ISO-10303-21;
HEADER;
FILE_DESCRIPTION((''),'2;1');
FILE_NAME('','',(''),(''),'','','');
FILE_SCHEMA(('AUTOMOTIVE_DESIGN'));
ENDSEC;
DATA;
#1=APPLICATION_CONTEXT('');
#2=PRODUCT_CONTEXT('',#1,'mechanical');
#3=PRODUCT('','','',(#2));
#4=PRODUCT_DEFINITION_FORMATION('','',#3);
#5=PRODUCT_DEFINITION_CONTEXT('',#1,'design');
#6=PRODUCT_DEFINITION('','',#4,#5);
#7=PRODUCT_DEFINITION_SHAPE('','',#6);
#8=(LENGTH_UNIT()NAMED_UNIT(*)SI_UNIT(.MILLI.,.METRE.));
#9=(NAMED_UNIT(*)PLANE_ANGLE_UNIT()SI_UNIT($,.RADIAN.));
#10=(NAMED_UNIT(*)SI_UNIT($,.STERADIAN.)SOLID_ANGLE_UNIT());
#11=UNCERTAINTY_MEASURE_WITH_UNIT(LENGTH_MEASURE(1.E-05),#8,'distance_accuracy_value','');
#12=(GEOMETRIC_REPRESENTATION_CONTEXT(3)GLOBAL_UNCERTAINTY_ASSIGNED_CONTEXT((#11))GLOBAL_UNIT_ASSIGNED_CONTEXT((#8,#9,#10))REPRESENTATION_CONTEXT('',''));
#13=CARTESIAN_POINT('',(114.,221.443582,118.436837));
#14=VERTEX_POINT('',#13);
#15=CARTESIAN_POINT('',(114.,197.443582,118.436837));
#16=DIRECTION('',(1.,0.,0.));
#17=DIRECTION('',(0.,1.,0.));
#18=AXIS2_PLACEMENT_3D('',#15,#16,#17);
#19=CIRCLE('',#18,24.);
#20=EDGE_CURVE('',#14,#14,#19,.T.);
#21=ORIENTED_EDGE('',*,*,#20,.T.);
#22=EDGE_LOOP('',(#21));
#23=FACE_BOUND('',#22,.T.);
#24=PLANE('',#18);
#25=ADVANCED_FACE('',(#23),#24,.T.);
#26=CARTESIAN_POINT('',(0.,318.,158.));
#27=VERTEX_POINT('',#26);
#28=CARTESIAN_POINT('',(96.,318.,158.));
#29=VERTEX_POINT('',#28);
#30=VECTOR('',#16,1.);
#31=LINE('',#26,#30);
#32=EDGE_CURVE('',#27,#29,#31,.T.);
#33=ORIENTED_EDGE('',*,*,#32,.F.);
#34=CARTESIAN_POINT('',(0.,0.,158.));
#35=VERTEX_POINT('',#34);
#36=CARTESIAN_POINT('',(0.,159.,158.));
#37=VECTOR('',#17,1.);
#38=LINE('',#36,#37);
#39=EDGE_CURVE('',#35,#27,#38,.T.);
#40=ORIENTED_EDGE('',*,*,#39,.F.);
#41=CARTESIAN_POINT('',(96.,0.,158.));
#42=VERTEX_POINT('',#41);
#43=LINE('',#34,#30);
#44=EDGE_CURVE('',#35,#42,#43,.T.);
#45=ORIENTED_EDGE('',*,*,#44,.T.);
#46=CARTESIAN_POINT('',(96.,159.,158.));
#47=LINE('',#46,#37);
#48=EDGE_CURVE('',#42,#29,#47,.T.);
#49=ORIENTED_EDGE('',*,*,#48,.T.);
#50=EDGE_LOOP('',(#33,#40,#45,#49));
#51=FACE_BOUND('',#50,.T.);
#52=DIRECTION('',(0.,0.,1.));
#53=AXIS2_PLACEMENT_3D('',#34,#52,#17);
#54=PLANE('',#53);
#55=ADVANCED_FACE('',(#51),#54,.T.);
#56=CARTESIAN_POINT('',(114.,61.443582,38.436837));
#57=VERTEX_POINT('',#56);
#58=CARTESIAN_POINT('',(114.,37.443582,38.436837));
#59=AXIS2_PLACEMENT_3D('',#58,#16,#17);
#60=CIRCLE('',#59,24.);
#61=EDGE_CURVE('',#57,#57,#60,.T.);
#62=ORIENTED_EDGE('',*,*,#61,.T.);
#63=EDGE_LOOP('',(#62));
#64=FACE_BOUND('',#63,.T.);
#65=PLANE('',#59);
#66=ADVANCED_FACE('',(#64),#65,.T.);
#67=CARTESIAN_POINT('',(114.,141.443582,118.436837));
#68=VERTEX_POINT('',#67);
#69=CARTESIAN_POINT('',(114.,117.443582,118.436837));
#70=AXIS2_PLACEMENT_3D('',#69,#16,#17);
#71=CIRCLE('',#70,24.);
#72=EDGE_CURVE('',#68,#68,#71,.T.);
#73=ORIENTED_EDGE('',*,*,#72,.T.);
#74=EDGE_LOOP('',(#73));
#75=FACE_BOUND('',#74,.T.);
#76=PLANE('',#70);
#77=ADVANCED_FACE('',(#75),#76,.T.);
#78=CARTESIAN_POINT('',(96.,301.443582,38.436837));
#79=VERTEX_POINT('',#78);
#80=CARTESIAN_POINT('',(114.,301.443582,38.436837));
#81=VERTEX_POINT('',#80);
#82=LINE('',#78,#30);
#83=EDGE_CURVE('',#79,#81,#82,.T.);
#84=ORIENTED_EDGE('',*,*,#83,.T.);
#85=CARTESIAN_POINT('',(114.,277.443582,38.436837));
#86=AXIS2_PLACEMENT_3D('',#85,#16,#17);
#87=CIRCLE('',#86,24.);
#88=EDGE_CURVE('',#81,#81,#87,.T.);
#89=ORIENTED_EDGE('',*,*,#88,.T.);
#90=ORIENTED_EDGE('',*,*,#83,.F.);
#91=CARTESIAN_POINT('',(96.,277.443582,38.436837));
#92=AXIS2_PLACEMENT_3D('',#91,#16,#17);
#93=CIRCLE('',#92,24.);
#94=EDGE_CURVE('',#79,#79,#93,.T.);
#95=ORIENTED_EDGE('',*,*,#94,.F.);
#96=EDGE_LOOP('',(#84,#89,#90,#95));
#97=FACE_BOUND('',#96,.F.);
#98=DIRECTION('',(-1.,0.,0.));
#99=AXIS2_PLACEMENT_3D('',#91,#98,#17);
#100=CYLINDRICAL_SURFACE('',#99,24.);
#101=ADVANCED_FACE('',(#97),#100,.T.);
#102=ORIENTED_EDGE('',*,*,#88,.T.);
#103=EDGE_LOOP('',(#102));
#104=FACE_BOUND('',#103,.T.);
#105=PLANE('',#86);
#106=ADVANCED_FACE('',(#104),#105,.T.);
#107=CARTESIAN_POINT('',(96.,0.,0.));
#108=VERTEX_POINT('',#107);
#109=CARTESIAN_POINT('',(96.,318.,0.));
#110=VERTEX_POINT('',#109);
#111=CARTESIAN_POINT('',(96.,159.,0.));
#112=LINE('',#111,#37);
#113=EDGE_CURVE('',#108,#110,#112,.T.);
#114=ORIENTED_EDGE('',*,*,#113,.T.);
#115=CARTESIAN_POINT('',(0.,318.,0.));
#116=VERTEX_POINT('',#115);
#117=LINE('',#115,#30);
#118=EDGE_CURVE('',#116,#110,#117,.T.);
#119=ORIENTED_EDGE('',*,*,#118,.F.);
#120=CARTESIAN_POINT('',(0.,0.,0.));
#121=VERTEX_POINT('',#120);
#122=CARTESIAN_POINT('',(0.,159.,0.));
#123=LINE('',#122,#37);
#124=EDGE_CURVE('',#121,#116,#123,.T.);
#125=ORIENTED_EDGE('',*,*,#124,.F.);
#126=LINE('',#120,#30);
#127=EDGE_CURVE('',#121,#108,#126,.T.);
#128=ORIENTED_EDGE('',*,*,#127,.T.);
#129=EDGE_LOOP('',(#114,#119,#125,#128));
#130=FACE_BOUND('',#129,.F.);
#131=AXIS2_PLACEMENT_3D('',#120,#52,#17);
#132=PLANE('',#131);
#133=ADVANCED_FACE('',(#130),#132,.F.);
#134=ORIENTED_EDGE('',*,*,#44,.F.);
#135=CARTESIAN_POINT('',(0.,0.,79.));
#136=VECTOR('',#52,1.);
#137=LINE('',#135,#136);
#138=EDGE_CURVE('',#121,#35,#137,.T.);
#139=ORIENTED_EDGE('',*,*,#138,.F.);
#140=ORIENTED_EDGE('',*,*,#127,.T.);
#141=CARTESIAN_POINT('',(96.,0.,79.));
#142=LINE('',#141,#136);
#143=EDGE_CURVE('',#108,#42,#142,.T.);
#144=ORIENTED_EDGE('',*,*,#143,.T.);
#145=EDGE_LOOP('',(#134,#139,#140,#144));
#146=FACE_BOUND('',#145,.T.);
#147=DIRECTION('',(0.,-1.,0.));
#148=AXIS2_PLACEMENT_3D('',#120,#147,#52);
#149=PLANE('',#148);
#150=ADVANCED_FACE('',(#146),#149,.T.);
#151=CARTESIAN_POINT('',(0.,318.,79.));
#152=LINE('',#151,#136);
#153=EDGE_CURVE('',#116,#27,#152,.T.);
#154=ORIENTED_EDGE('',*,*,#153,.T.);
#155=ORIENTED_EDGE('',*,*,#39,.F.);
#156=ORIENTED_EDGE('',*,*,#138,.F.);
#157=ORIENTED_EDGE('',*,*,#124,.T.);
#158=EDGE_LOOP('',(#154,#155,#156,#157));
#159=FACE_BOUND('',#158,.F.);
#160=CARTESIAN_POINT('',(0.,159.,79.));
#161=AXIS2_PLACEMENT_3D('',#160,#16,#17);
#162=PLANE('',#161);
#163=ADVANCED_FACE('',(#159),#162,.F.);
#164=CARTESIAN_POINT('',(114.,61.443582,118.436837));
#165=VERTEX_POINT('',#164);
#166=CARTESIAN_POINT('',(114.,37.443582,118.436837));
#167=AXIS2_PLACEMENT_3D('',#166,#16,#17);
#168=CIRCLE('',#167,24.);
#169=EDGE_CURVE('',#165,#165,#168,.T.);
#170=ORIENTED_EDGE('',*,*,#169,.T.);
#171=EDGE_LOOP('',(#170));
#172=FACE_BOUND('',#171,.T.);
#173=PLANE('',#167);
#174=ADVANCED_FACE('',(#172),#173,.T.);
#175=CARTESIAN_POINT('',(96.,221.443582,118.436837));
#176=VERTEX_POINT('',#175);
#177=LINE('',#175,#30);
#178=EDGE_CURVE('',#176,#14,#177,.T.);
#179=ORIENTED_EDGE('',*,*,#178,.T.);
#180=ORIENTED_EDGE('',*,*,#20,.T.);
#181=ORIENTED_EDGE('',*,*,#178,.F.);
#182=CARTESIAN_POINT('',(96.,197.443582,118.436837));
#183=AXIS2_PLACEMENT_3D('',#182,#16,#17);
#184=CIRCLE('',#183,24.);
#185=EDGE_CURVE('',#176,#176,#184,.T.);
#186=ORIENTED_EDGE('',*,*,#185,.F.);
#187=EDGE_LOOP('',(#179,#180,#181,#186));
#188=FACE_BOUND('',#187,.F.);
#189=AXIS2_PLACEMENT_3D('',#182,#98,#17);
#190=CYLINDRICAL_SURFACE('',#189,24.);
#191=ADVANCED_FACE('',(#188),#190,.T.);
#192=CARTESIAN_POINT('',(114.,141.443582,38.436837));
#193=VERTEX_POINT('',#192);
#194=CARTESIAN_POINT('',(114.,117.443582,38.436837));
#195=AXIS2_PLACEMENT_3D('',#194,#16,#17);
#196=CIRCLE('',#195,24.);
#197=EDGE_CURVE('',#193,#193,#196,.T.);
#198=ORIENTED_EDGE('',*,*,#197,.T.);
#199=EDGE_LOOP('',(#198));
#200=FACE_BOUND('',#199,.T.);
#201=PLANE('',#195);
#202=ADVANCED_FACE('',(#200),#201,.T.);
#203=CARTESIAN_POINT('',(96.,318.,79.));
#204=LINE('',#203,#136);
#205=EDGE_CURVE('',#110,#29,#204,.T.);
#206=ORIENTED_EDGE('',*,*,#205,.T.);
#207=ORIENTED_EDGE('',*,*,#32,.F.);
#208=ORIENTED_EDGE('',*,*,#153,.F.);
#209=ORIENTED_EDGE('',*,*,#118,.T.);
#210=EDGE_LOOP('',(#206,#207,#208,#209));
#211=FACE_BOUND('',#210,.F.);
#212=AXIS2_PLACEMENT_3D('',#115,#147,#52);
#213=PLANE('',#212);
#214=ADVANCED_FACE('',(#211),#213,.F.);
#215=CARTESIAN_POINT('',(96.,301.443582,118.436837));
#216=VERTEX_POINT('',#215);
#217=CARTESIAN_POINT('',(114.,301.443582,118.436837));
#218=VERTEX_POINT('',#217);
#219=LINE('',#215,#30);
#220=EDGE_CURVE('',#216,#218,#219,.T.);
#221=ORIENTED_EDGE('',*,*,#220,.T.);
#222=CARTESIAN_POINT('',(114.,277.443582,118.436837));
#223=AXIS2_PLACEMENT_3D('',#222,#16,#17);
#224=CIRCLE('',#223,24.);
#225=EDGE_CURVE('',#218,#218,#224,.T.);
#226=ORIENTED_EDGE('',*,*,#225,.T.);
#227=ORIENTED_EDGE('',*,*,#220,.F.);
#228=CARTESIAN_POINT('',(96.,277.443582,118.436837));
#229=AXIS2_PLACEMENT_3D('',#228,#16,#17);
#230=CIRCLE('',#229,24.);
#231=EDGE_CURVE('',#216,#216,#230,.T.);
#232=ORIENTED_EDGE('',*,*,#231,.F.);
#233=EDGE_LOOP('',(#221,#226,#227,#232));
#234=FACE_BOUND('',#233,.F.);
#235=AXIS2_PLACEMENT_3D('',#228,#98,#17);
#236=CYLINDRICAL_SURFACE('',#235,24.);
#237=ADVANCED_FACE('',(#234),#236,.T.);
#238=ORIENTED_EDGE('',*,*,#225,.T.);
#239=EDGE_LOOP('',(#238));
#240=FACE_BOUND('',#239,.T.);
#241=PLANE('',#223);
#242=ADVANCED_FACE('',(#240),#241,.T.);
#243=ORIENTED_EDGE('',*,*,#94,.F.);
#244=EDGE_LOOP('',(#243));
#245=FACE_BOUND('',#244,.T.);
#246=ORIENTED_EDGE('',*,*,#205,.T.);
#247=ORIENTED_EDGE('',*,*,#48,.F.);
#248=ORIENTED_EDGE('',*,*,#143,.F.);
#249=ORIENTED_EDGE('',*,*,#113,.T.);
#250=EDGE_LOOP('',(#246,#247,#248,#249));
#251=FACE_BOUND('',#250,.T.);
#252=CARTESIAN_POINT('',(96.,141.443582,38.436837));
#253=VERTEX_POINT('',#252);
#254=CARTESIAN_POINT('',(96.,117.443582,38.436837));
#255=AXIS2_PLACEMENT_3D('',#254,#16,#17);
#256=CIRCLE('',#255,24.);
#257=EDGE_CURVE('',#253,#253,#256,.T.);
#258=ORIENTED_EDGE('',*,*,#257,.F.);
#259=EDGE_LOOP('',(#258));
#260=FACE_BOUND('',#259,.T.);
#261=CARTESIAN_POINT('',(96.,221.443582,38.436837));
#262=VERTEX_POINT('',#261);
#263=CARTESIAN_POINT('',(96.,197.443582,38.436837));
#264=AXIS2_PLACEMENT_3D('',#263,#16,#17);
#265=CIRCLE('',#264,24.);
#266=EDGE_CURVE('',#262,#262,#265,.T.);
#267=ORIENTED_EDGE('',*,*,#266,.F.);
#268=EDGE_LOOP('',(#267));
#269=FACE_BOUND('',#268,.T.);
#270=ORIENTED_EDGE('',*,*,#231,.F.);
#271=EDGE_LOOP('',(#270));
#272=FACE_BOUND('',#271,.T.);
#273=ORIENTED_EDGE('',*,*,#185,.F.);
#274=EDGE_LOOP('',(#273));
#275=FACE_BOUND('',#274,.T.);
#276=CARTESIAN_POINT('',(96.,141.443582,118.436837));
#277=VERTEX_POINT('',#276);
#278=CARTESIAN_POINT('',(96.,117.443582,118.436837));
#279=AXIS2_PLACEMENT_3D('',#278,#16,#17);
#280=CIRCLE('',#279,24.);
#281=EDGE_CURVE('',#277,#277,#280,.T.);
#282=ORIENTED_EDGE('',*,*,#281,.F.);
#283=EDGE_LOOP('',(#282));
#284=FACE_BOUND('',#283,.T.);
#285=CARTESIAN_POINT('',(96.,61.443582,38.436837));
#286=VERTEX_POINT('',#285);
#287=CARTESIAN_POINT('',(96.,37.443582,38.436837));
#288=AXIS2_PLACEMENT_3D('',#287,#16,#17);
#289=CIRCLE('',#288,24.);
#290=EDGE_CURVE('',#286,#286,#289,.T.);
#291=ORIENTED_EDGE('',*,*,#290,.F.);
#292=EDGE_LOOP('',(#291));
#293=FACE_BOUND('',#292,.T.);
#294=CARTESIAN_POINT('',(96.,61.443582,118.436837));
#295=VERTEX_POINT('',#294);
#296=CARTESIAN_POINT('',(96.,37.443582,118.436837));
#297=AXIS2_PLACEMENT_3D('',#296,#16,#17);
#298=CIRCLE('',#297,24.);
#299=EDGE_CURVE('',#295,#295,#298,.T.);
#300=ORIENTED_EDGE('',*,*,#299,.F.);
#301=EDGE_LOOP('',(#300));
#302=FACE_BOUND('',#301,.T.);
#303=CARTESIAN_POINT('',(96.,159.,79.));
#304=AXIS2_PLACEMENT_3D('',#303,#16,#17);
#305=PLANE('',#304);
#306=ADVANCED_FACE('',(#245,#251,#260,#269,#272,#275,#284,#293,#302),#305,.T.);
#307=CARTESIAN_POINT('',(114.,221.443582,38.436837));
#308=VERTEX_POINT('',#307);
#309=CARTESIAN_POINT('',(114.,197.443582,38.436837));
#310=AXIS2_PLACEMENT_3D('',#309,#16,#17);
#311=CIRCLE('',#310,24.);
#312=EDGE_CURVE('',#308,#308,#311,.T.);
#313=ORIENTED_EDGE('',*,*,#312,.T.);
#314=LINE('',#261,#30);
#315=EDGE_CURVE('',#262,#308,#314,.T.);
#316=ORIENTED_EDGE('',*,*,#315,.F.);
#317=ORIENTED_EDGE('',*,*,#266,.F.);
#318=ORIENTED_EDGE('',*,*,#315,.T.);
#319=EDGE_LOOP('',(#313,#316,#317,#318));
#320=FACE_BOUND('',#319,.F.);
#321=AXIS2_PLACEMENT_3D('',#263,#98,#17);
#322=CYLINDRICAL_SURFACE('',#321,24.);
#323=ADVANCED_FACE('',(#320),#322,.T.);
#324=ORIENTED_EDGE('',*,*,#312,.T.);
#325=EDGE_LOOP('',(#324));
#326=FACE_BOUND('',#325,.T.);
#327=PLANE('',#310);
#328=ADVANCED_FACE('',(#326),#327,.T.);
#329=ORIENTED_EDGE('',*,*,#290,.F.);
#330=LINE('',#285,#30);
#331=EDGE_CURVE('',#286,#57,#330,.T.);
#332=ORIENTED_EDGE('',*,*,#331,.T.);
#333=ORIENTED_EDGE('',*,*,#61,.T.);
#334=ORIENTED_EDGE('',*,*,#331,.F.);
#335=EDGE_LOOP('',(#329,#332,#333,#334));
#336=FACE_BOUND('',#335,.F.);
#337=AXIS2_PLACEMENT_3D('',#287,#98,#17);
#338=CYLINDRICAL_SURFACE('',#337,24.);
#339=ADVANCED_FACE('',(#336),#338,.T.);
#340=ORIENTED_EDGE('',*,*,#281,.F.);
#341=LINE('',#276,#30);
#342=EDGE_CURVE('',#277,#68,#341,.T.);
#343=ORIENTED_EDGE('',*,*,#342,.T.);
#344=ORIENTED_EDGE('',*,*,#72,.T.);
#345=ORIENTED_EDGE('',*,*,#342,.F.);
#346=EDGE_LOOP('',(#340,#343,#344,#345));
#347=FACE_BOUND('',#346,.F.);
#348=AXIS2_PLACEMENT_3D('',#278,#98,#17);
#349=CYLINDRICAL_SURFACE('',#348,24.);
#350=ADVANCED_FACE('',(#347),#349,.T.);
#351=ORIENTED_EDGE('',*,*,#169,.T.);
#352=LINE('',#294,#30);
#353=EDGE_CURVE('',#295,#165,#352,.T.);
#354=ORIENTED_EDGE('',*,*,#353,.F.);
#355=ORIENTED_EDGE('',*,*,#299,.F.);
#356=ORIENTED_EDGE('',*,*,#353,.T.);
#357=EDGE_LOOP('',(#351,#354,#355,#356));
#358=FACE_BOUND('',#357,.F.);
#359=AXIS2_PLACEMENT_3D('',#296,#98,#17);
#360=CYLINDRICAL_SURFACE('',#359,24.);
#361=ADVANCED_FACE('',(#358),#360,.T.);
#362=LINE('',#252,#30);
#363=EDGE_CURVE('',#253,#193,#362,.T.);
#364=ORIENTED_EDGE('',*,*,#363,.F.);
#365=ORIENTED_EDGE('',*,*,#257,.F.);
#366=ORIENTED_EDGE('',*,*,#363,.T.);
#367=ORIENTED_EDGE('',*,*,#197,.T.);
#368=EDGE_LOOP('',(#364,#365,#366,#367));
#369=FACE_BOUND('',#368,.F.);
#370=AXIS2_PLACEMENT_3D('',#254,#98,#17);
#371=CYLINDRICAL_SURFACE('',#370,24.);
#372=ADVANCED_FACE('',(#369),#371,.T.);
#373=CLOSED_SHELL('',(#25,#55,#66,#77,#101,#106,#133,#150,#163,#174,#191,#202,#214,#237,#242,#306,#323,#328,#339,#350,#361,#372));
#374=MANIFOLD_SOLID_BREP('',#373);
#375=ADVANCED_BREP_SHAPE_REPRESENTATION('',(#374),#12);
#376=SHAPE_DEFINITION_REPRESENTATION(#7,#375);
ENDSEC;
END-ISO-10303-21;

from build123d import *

# Parameters (mm, degrees)
F0_W     = 318
F0_H     = 158
F1_DEPTH = 96
F2_R     = 24
F3_DEPTH = 18


with BuildPart() as f1:
    # F0 (on Right) → F1 (new body)
    with BuildSketch(Plane.YZ):
        with Locations((159, 79)):
            Rectangle(F0_W, F0_H)
    extrude(amount=F1_DEPTH)

    # F2 (on face) → F3 (join)
    with BuildSketch(Plane.YZ.offset(96)):
        with Locations((37.443582, 118.436837)):
            Circle(F2_R)
        with Locations((117.443582, 118.436837)):
            Circle(F2_R)
        with Locations((197.443582, 118.436837)):
            Circle(F2_R)
        with Locations((277.443582, 118.436837)):
            Circle(F2_R)
        with Locations((277.443582, 38.436837)):
            Circle(F2_R)
        with Locations((197.443582, 38.436837)):
            Circle(F2_R)
        with Locations((117.443582, 38.436837)):
            Circle(F2_R)
        with Locations((37.443582, 38.436837)):
            Circle(F2_R)
    extrude(amount=F3_DEPTH)


solid = f1.part
